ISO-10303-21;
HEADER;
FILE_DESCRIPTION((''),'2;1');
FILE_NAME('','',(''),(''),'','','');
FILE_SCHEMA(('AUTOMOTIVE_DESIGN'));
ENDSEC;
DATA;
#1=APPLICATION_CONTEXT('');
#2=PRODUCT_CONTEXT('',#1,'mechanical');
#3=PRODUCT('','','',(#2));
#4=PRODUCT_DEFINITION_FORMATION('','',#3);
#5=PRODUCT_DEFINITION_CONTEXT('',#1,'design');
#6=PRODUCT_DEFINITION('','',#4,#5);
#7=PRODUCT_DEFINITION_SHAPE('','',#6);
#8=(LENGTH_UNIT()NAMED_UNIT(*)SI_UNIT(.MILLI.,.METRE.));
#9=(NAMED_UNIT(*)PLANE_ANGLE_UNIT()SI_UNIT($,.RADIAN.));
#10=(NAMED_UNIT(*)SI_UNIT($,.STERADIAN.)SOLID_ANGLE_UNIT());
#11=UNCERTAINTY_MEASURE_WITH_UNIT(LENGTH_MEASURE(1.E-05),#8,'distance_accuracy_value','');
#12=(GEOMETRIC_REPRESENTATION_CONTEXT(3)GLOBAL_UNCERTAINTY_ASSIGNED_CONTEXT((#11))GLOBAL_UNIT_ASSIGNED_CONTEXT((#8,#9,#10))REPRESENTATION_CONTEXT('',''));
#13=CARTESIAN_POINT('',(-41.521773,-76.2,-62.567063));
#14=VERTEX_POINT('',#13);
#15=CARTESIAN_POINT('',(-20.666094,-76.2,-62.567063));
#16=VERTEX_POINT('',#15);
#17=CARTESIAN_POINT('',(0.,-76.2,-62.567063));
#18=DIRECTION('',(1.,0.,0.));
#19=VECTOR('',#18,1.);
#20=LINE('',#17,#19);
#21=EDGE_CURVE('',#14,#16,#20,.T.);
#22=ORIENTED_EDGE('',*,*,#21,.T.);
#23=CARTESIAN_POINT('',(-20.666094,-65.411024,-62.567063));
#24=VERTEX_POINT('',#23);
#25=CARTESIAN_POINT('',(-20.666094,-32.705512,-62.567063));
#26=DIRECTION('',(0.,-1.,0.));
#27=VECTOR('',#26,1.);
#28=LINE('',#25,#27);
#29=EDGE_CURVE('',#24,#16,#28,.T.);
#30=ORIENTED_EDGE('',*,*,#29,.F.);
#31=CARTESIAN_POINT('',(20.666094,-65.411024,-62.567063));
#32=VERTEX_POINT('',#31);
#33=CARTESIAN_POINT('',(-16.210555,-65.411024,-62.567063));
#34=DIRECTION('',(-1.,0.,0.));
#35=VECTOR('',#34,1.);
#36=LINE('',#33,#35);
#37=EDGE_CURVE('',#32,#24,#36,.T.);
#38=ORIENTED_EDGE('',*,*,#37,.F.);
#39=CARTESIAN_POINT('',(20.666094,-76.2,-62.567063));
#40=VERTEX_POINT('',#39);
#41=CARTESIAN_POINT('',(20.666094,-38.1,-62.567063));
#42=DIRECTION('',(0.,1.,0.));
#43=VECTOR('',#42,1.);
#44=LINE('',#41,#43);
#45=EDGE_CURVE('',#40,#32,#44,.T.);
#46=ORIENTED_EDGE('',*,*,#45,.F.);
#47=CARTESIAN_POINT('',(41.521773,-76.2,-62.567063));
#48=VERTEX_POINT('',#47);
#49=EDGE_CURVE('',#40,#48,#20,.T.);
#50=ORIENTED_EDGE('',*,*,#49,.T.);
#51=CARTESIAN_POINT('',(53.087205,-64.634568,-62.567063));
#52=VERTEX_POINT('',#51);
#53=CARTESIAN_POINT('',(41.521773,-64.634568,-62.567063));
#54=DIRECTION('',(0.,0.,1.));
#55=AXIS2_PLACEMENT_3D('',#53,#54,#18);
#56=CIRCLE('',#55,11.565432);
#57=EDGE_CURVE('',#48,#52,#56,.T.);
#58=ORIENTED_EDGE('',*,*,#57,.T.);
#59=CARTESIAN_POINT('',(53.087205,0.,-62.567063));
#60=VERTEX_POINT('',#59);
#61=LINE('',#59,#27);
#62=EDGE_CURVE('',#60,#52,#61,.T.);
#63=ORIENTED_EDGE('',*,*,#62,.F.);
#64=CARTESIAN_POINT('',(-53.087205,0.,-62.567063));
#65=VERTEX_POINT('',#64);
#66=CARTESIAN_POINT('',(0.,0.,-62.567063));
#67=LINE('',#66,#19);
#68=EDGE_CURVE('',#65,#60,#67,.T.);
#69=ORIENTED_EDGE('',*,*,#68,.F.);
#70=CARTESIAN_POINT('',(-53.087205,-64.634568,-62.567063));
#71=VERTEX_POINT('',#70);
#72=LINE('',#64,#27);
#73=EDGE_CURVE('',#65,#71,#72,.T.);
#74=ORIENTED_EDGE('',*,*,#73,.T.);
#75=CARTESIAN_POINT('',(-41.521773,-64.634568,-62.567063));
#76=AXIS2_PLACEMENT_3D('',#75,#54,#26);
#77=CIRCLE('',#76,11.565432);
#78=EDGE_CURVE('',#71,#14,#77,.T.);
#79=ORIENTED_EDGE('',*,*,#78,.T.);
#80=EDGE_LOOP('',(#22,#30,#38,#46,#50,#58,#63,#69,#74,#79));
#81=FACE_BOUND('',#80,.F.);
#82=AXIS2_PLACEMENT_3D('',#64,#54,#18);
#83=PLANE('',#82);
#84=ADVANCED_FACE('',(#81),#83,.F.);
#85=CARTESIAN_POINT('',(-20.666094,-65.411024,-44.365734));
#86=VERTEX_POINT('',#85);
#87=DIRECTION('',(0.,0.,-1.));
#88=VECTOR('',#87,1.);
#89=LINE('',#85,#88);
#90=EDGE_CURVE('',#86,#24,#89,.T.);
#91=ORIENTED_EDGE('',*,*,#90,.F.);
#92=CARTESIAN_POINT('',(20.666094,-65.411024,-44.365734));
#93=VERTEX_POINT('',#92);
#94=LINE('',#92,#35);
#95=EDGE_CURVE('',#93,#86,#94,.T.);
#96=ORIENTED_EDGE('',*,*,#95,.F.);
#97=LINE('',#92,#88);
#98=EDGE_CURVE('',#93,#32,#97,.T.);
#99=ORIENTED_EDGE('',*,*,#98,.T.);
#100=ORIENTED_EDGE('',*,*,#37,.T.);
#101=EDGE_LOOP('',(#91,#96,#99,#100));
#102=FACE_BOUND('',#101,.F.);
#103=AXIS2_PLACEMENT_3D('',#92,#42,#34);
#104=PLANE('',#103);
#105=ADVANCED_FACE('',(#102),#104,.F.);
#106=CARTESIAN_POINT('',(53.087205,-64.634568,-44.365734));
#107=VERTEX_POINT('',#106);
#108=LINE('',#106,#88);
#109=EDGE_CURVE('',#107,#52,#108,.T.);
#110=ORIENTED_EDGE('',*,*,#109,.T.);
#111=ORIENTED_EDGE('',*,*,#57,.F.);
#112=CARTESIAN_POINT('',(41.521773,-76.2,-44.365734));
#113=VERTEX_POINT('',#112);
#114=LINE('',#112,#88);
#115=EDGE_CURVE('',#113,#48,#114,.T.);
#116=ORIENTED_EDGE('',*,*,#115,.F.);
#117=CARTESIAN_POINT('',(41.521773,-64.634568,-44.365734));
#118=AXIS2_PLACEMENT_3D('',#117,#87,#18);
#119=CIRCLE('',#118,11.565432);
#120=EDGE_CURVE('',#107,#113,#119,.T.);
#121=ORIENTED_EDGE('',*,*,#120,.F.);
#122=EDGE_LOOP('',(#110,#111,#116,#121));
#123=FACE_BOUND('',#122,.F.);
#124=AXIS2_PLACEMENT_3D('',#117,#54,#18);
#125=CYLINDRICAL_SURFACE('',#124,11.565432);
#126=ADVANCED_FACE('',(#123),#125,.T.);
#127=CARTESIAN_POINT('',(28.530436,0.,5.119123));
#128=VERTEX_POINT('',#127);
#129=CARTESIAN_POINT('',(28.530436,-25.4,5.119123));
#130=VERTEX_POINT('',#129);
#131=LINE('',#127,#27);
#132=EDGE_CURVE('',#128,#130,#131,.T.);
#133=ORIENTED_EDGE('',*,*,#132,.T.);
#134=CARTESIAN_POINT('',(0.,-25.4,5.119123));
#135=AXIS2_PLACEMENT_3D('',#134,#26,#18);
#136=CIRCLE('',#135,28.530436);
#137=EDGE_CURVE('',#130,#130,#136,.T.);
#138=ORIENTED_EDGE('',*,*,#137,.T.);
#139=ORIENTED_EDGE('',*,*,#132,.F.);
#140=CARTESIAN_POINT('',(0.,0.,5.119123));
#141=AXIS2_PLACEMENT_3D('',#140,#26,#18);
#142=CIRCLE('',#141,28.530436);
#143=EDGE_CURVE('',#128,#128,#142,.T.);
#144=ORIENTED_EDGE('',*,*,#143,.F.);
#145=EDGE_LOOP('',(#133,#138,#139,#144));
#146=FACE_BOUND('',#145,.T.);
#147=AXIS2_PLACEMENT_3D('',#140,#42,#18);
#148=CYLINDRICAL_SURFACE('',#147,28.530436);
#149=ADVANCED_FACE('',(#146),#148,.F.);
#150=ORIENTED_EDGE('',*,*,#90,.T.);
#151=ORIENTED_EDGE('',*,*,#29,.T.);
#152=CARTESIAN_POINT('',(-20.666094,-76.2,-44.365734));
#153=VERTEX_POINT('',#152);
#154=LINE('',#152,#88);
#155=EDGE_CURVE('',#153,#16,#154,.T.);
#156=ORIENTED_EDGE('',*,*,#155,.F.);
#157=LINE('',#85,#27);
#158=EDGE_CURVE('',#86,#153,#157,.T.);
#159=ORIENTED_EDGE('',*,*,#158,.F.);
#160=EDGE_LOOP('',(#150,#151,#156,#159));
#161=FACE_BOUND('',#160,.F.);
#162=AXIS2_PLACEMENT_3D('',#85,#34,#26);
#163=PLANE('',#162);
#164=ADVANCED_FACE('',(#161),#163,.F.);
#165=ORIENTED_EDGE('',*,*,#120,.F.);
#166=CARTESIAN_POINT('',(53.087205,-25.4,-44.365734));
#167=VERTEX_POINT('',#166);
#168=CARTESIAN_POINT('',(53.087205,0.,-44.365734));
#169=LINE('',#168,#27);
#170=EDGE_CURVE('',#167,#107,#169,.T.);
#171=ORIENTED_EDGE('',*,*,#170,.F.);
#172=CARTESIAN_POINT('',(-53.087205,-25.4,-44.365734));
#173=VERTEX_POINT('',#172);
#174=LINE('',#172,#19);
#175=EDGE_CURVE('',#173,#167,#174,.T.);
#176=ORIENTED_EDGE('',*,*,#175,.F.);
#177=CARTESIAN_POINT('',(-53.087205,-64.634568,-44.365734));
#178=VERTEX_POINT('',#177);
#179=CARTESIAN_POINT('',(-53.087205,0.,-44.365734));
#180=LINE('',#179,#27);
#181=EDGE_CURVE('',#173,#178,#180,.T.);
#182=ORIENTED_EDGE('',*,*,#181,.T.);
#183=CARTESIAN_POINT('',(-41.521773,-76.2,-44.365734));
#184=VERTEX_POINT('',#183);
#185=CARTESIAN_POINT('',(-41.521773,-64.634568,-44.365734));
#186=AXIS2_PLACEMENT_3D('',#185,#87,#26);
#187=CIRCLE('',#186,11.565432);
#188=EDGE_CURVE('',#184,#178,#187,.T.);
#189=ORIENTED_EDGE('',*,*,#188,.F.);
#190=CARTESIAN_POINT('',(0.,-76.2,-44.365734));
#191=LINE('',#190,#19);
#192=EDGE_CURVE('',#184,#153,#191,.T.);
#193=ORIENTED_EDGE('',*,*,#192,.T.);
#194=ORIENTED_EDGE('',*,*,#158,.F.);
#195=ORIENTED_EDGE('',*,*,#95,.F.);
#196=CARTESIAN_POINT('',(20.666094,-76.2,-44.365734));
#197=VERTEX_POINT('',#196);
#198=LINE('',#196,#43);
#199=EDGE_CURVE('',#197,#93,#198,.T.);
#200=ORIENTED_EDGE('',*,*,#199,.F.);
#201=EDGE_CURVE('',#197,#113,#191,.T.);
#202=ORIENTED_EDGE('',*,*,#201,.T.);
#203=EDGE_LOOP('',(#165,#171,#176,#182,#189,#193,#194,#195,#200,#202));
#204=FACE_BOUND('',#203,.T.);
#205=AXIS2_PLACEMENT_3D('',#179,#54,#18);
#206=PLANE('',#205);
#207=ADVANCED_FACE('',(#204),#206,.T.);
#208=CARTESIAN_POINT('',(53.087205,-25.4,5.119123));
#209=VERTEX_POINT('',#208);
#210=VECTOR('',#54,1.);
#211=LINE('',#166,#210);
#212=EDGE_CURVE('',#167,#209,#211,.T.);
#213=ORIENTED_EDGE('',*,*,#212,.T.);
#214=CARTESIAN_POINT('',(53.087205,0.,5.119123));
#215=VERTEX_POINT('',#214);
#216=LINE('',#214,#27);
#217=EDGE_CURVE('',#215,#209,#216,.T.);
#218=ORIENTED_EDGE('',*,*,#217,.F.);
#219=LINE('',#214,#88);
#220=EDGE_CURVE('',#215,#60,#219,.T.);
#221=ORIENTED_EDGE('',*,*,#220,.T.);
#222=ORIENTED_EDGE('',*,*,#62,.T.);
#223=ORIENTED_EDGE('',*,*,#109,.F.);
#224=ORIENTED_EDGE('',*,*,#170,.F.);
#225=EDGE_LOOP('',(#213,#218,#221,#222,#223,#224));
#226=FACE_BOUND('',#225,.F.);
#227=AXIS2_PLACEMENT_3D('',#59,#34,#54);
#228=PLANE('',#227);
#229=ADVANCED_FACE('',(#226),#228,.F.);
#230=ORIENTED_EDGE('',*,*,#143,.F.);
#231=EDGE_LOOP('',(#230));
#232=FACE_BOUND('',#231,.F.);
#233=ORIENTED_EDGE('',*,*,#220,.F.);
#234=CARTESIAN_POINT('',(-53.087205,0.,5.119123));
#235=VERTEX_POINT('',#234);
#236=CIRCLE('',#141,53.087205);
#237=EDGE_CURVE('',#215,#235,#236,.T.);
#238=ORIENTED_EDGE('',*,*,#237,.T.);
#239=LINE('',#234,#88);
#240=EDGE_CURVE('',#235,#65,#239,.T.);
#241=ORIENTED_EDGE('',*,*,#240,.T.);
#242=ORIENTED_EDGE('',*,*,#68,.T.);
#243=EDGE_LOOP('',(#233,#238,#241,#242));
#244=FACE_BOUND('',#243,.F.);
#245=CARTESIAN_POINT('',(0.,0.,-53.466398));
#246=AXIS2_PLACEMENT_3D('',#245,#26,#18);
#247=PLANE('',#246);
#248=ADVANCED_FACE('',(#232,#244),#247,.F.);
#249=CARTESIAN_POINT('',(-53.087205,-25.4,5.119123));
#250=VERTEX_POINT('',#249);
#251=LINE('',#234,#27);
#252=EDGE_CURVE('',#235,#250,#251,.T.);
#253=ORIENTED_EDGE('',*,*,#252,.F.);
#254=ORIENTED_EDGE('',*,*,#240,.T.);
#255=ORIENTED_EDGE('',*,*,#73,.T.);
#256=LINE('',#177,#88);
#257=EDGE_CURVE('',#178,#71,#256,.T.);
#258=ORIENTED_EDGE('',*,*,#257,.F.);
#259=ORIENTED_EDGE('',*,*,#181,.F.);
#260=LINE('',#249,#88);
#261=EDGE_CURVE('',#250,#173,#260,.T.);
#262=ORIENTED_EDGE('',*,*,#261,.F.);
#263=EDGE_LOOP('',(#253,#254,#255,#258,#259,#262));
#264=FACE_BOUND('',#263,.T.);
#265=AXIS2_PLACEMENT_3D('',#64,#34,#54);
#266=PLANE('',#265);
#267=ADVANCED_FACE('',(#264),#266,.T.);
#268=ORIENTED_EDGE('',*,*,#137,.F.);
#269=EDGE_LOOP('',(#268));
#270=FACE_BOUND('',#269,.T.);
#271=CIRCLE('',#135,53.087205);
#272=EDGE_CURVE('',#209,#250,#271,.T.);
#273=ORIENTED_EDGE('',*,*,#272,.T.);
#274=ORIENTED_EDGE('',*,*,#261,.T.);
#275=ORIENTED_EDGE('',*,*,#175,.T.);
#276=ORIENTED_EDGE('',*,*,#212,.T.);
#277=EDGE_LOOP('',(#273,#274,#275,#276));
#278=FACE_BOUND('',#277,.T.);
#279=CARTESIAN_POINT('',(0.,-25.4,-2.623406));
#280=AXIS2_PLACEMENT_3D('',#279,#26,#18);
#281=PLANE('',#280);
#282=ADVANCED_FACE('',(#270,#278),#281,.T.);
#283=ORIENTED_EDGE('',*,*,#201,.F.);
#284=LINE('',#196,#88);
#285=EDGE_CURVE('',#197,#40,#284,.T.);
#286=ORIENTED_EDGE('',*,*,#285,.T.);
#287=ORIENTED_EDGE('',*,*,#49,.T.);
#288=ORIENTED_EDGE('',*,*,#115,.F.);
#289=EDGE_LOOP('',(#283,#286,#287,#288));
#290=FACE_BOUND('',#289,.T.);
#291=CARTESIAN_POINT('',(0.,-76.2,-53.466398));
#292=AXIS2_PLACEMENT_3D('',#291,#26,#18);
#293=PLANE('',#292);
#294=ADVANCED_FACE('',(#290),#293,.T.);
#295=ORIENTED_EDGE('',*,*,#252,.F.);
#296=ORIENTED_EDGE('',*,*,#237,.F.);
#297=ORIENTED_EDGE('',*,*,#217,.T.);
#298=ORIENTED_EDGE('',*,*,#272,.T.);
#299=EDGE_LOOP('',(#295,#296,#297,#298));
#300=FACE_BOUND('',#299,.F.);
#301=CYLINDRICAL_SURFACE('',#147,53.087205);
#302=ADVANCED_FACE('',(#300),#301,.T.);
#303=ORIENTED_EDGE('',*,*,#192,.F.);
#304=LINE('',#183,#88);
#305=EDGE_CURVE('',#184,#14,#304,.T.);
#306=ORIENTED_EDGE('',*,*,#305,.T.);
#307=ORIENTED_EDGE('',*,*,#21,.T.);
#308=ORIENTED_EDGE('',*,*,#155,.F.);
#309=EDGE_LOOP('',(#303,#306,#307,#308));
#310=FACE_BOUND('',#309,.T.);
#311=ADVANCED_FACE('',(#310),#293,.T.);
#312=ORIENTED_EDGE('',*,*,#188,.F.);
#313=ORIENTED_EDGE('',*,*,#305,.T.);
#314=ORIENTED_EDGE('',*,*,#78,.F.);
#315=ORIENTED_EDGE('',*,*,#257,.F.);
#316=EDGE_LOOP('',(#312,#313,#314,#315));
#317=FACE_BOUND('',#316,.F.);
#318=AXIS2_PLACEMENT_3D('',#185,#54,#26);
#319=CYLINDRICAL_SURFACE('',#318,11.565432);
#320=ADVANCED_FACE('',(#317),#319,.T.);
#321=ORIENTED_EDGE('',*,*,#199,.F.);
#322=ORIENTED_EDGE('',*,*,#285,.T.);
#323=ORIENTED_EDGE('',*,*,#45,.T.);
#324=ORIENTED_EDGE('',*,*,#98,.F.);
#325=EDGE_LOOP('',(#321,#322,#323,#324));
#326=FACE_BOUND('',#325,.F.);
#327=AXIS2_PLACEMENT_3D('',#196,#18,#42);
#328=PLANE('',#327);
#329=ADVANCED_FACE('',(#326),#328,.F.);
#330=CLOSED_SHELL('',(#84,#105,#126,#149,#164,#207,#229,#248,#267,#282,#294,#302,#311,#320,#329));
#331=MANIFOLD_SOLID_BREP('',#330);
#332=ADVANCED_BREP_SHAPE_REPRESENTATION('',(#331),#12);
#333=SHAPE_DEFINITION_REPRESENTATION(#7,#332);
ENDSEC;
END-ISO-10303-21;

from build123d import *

# Parameters (mm, degrees)
F0_R     = 28.5304356899
F1_DEPTH = 25.4
F0_W     = 106.1744093895
F0_H     = 18.201328814
F2_DEPTH = 76.2
F4_DEPTH = 18.202328814


with BuildPart() as f1:
    # F0 (on Front) → F1 (new body)
    with BuildSketch(Plane.XZ):
        with BuildLine():
            Line((-53.0872046947, -44.3657338619), (53.0872046947, -44.3657338619))
            Line((53.0872046947, -44.3657338619), (53.0872046947, 5.1191230305))
            ThreePointArc((53.0872046947, 5.1191230305), (0, 58.2063277252), (-53.0872046947, 5.1191230305))
            Line((-53.0872046947, 5.1191230305), (-53.0872046947, -44.3657338619))
        make_face()
        with Locations((0, 5.1191230305)):
            Circle(F0_R, mode=Mode.SUBTRACT)
    extrude(amount=F1_DEPTH)

    # F0 (on Front) → F2 (join)
    with BuildSketch(Plane.XZ):
        with Locations((0, -53.4663982689)):
            Rectangle(F0_W, F0_H)
    extrude(amount=F2_DEPTH)

    # F3 (on face) → F4 (cut, through all)
    with BuildSketch(Plane.XY.offset(-44.3657338619)):
        with BuildLine():
            Line((53.0872046947, -76.2), (53.0872046947, -64.6345680475))
            ThreePointArc((53.0872046947, -64.6345680475), (49.6997681032, -72.8125634085), (41.5217727423, -76.2))
            Line((41.5217727423, -76.2), (53.0872046947, -76.2))
        make_face()
        with BuildLine():
            ThreePointArc((-41.5217727423, -76.2), (-49.6997681032, -72.8125634085), (-53.0872046947, -64.6345680475))
            Line((-53.0872046947, -64.6345680475), (-53.0872046947, -76.2))
            Line((-53.0872046947, -76.2), (-41.5217727423, -76.2))
        make_face()
        Polygon((0, -76.2), (20.6660944968, -76.2), (20.6660944968, -65.4110237956), (-20.6660944968, -65.4110237956), (-20.6660944968, -76.2), align=None)
    extrude(amount=-F4_DEPTH, mode=Mode.SUBTRACT)


solid = f1.part
